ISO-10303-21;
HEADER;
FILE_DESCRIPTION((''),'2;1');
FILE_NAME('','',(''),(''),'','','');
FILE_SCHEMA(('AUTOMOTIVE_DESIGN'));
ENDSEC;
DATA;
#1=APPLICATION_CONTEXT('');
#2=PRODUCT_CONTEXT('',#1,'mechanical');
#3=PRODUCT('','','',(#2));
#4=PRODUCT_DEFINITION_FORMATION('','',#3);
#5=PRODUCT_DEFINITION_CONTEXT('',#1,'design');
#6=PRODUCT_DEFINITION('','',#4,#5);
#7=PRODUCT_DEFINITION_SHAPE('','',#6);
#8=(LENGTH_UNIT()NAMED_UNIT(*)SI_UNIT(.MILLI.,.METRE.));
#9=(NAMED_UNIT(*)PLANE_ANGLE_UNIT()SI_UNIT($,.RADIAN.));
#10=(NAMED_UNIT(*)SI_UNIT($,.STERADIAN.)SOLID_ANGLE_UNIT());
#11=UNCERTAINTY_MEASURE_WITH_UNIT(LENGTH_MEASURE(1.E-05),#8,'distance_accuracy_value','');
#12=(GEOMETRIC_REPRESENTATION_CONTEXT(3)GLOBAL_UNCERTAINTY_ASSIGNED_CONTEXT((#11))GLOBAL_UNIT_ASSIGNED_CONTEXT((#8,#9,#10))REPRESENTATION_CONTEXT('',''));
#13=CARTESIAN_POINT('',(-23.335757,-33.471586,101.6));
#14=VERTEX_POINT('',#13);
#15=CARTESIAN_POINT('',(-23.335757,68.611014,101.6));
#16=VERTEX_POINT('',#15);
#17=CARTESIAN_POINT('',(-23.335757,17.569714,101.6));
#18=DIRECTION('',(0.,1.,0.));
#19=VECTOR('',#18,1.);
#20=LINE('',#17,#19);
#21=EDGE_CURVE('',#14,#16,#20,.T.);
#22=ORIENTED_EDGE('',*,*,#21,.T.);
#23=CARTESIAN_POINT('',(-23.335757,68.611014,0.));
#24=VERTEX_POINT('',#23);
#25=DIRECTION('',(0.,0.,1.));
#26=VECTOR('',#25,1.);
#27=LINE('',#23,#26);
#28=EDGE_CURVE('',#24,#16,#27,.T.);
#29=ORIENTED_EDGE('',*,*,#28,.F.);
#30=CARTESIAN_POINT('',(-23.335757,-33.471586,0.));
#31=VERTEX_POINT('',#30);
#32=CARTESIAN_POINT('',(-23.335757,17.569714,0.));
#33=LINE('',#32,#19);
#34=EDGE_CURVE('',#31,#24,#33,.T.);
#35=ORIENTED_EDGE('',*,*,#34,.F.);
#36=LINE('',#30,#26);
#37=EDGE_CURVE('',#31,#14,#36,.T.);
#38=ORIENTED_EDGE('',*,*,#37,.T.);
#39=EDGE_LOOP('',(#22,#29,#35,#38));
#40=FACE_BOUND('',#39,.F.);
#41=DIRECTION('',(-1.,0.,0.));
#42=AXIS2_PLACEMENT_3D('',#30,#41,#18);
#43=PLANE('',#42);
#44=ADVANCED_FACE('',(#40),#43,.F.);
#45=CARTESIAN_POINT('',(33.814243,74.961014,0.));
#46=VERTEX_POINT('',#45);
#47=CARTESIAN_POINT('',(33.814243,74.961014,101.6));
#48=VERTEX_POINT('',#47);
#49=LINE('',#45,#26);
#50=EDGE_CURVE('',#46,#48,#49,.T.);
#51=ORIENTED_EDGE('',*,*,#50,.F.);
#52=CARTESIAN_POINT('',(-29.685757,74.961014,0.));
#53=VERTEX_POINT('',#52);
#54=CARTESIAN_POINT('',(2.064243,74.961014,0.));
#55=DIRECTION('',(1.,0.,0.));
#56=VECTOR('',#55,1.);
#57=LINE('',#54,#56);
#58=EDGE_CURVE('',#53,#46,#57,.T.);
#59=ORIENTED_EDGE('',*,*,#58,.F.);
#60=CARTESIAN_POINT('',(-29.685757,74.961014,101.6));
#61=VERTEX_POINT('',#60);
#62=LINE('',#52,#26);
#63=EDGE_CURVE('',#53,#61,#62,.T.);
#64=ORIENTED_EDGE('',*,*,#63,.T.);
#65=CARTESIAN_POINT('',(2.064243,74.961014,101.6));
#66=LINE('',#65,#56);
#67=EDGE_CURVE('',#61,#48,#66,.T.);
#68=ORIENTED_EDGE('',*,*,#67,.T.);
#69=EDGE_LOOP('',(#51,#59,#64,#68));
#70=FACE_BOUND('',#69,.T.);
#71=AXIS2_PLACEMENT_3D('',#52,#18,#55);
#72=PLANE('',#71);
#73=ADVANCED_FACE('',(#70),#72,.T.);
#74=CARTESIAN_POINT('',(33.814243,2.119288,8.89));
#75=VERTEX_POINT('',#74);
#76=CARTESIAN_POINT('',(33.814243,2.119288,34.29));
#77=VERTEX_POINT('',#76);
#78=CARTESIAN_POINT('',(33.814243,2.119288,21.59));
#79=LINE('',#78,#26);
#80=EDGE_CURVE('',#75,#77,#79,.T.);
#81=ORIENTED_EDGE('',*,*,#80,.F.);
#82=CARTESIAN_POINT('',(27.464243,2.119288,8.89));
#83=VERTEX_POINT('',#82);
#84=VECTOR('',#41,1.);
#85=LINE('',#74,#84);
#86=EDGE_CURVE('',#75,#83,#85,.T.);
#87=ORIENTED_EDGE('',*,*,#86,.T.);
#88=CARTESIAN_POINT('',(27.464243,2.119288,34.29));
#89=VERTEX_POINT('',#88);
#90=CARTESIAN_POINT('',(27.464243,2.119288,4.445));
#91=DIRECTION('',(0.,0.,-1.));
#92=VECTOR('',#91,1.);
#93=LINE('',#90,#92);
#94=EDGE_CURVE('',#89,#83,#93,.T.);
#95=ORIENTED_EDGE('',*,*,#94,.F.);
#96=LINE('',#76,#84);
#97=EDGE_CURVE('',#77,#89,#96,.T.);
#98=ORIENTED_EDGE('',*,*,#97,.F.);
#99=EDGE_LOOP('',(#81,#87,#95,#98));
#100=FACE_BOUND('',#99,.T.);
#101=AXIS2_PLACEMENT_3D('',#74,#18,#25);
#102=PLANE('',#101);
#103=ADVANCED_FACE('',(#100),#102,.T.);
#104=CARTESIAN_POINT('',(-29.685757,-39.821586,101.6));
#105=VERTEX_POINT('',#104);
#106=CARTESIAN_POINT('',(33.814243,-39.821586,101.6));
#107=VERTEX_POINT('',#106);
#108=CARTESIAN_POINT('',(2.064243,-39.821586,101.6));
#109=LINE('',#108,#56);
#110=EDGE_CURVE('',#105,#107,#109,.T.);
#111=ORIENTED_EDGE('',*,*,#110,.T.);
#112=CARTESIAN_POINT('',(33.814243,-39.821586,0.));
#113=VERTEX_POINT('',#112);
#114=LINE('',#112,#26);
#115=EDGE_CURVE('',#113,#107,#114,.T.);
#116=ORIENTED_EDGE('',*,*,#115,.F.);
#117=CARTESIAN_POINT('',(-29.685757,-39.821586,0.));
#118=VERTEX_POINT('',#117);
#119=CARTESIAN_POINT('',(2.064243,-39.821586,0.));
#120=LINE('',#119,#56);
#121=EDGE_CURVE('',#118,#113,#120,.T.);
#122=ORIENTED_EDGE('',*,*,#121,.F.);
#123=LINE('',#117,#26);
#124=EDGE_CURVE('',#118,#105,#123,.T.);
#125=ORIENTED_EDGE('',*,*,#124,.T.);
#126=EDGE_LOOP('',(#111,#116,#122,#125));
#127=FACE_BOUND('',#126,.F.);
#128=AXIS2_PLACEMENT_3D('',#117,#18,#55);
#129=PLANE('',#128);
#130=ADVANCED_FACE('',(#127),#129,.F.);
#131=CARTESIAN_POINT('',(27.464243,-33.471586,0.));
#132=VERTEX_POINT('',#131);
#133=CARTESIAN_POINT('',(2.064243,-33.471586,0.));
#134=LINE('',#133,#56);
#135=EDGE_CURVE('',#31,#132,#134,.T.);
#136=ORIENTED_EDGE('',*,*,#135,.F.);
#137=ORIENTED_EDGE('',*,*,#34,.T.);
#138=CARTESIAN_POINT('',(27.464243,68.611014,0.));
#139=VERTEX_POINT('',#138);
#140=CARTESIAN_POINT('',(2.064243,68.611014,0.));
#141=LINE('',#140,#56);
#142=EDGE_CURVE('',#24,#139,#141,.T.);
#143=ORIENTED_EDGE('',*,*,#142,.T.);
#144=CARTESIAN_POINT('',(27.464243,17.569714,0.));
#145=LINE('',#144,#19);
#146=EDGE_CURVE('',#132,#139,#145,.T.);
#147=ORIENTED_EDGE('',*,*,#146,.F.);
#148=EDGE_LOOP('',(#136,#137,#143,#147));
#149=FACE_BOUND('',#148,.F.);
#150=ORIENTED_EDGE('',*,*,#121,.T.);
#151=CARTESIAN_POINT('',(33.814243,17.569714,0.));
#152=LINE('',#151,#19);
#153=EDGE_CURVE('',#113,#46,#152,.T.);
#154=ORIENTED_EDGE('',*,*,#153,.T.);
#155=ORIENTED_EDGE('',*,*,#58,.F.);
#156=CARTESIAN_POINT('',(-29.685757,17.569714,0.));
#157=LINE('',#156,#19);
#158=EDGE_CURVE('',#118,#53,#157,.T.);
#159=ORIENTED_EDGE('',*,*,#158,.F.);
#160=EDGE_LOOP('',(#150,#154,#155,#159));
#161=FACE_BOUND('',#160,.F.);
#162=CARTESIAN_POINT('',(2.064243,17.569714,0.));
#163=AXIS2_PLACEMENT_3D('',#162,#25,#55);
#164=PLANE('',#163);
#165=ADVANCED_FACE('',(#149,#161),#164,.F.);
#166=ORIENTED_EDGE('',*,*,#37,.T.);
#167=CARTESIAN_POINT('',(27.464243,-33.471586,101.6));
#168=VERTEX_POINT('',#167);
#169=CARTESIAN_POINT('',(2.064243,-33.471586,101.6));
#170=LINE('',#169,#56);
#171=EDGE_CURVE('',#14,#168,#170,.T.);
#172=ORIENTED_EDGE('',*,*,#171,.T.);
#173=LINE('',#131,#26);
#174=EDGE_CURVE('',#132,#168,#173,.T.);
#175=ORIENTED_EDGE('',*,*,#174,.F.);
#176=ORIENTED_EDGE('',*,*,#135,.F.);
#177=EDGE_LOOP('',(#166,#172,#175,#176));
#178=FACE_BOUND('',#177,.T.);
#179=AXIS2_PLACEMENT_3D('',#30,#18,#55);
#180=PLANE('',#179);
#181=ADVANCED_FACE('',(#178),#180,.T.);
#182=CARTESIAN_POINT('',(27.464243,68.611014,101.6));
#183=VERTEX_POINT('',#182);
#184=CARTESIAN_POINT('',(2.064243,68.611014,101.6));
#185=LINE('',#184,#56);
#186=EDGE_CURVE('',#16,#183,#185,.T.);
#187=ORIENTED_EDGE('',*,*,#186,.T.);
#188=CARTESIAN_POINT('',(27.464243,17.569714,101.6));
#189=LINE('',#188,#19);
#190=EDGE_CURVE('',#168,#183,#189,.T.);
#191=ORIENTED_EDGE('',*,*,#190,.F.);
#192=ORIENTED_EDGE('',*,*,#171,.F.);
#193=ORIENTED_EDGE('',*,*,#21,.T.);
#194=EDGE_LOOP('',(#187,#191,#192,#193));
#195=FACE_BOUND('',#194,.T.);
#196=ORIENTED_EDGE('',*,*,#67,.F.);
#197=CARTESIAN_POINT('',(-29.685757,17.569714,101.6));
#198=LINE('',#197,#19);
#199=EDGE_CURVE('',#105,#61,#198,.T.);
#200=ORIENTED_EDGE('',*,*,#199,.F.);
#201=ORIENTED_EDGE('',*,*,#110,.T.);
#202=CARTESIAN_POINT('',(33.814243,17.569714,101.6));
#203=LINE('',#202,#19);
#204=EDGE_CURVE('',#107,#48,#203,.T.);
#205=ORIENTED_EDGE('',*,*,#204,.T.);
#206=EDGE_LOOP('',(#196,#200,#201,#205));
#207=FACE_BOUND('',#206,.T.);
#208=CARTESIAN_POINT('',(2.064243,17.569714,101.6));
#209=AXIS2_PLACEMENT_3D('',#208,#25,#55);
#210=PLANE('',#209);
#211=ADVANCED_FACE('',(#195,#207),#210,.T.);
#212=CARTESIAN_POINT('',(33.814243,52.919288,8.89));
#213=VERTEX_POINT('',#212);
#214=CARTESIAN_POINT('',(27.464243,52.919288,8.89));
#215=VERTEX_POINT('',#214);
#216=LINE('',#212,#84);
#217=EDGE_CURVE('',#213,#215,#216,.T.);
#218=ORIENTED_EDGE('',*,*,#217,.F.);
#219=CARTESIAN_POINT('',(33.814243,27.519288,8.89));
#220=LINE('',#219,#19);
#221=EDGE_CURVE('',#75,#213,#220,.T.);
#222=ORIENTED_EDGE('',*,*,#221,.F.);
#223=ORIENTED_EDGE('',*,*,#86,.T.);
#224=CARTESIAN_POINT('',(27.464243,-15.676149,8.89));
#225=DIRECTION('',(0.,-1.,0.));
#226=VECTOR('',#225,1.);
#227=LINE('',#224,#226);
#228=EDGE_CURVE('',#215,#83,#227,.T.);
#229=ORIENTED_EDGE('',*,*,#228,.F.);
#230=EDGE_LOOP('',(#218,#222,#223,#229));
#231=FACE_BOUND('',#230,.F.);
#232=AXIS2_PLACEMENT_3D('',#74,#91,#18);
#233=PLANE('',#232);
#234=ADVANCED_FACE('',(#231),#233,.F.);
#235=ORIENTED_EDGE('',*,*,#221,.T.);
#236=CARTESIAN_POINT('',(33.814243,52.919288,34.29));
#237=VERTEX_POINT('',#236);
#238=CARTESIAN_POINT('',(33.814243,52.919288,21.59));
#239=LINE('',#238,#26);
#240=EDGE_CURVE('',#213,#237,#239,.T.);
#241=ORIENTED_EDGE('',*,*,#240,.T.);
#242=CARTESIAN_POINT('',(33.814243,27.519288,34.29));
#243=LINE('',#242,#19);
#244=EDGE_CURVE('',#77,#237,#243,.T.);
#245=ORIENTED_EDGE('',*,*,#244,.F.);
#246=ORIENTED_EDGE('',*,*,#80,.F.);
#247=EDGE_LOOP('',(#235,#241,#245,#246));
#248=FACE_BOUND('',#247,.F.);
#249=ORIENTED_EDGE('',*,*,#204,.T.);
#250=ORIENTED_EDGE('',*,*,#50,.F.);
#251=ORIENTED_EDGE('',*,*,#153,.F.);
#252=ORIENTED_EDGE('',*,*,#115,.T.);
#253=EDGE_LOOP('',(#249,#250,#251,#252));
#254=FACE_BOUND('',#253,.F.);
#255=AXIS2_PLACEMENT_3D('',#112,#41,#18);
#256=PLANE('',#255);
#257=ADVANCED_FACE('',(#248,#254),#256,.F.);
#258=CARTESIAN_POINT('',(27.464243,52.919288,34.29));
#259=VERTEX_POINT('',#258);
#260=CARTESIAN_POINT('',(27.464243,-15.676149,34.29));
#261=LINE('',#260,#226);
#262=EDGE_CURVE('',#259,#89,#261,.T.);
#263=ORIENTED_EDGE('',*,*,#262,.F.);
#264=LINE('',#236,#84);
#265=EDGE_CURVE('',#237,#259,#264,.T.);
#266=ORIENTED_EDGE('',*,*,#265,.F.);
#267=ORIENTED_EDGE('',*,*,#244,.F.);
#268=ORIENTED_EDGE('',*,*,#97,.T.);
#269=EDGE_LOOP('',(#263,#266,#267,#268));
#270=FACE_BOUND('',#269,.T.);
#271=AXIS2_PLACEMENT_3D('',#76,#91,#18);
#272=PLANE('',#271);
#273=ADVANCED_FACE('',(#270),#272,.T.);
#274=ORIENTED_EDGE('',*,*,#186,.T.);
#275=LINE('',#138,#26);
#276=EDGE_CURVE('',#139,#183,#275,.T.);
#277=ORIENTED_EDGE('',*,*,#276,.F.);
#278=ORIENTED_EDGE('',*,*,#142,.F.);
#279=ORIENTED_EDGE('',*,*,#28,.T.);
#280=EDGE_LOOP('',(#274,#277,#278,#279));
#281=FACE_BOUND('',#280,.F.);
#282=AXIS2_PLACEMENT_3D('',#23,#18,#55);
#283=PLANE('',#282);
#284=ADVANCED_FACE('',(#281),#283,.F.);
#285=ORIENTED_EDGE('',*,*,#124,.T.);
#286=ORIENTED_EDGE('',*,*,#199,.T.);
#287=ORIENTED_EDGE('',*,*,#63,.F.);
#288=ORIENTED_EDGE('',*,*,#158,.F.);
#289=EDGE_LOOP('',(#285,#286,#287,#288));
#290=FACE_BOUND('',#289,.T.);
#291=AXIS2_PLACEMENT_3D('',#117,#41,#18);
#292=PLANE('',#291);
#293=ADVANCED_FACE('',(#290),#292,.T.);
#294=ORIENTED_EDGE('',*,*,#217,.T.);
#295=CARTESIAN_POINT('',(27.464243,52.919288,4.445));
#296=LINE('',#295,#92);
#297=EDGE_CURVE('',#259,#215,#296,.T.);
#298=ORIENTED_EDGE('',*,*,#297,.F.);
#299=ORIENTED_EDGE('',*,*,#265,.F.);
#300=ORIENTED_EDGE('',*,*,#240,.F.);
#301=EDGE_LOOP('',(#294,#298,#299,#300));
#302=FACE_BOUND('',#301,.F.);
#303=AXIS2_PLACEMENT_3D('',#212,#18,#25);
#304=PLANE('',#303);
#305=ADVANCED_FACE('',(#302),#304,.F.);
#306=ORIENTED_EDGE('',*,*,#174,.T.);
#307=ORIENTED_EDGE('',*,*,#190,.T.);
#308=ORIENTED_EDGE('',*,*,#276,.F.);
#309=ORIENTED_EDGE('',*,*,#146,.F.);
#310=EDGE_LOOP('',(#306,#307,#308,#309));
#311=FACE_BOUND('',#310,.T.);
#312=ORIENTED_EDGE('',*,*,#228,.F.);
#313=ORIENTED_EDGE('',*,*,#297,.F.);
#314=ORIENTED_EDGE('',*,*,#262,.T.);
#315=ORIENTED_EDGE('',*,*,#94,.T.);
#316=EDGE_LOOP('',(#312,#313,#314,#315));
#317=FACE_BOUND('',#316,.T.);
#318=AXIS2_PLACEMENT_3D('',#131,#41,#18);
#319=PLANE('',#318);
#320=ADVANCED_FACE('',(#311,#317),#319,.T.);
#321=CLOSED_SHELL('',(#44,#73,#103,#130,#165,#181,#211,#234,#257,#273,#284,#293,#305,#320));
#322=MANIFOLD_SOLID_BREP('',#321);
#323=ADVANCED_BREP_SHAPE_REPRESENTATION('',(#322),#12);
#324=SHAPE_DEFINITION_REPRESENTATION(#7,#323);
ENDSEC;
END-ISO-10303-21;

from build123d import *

# Parameters (mm, degrees)
F0_W     = 63.5
F0_H     = 114.7826
F0_W_2   = 50.8
F0_H_2   = 102.0826
F1_DEPTH = 101.6
F2_W     = 50.8
F2_H     = 25.4
F3_DEPTH = 25.4


with BuildPart() as f1:
    # F0 (on Top) → F1 (new body)
    with BuildSketch(Plane.XY):
        with Locations((2.064243, 17.569714)):
            Rectangle(F0_W, F0_H)
        with Locations((2.064243, 17.569714)):
            Rectangle(F0_W_2, F0_H_2, mode=Mode.SUBTRACT)
    extrude(amount=F1_DEPTH)

    # F2 (on face) → F3 (cut)
    with BuildSketch(Plane.YZ.offset(33.814243)):
        with Locations((27.519288, 21.59)):
            Rectangle(F2_W, F2_H)
    extrude(amount=-F3_DEPTH, mode=Mode.SUBTRACT)


solid = f1.part
